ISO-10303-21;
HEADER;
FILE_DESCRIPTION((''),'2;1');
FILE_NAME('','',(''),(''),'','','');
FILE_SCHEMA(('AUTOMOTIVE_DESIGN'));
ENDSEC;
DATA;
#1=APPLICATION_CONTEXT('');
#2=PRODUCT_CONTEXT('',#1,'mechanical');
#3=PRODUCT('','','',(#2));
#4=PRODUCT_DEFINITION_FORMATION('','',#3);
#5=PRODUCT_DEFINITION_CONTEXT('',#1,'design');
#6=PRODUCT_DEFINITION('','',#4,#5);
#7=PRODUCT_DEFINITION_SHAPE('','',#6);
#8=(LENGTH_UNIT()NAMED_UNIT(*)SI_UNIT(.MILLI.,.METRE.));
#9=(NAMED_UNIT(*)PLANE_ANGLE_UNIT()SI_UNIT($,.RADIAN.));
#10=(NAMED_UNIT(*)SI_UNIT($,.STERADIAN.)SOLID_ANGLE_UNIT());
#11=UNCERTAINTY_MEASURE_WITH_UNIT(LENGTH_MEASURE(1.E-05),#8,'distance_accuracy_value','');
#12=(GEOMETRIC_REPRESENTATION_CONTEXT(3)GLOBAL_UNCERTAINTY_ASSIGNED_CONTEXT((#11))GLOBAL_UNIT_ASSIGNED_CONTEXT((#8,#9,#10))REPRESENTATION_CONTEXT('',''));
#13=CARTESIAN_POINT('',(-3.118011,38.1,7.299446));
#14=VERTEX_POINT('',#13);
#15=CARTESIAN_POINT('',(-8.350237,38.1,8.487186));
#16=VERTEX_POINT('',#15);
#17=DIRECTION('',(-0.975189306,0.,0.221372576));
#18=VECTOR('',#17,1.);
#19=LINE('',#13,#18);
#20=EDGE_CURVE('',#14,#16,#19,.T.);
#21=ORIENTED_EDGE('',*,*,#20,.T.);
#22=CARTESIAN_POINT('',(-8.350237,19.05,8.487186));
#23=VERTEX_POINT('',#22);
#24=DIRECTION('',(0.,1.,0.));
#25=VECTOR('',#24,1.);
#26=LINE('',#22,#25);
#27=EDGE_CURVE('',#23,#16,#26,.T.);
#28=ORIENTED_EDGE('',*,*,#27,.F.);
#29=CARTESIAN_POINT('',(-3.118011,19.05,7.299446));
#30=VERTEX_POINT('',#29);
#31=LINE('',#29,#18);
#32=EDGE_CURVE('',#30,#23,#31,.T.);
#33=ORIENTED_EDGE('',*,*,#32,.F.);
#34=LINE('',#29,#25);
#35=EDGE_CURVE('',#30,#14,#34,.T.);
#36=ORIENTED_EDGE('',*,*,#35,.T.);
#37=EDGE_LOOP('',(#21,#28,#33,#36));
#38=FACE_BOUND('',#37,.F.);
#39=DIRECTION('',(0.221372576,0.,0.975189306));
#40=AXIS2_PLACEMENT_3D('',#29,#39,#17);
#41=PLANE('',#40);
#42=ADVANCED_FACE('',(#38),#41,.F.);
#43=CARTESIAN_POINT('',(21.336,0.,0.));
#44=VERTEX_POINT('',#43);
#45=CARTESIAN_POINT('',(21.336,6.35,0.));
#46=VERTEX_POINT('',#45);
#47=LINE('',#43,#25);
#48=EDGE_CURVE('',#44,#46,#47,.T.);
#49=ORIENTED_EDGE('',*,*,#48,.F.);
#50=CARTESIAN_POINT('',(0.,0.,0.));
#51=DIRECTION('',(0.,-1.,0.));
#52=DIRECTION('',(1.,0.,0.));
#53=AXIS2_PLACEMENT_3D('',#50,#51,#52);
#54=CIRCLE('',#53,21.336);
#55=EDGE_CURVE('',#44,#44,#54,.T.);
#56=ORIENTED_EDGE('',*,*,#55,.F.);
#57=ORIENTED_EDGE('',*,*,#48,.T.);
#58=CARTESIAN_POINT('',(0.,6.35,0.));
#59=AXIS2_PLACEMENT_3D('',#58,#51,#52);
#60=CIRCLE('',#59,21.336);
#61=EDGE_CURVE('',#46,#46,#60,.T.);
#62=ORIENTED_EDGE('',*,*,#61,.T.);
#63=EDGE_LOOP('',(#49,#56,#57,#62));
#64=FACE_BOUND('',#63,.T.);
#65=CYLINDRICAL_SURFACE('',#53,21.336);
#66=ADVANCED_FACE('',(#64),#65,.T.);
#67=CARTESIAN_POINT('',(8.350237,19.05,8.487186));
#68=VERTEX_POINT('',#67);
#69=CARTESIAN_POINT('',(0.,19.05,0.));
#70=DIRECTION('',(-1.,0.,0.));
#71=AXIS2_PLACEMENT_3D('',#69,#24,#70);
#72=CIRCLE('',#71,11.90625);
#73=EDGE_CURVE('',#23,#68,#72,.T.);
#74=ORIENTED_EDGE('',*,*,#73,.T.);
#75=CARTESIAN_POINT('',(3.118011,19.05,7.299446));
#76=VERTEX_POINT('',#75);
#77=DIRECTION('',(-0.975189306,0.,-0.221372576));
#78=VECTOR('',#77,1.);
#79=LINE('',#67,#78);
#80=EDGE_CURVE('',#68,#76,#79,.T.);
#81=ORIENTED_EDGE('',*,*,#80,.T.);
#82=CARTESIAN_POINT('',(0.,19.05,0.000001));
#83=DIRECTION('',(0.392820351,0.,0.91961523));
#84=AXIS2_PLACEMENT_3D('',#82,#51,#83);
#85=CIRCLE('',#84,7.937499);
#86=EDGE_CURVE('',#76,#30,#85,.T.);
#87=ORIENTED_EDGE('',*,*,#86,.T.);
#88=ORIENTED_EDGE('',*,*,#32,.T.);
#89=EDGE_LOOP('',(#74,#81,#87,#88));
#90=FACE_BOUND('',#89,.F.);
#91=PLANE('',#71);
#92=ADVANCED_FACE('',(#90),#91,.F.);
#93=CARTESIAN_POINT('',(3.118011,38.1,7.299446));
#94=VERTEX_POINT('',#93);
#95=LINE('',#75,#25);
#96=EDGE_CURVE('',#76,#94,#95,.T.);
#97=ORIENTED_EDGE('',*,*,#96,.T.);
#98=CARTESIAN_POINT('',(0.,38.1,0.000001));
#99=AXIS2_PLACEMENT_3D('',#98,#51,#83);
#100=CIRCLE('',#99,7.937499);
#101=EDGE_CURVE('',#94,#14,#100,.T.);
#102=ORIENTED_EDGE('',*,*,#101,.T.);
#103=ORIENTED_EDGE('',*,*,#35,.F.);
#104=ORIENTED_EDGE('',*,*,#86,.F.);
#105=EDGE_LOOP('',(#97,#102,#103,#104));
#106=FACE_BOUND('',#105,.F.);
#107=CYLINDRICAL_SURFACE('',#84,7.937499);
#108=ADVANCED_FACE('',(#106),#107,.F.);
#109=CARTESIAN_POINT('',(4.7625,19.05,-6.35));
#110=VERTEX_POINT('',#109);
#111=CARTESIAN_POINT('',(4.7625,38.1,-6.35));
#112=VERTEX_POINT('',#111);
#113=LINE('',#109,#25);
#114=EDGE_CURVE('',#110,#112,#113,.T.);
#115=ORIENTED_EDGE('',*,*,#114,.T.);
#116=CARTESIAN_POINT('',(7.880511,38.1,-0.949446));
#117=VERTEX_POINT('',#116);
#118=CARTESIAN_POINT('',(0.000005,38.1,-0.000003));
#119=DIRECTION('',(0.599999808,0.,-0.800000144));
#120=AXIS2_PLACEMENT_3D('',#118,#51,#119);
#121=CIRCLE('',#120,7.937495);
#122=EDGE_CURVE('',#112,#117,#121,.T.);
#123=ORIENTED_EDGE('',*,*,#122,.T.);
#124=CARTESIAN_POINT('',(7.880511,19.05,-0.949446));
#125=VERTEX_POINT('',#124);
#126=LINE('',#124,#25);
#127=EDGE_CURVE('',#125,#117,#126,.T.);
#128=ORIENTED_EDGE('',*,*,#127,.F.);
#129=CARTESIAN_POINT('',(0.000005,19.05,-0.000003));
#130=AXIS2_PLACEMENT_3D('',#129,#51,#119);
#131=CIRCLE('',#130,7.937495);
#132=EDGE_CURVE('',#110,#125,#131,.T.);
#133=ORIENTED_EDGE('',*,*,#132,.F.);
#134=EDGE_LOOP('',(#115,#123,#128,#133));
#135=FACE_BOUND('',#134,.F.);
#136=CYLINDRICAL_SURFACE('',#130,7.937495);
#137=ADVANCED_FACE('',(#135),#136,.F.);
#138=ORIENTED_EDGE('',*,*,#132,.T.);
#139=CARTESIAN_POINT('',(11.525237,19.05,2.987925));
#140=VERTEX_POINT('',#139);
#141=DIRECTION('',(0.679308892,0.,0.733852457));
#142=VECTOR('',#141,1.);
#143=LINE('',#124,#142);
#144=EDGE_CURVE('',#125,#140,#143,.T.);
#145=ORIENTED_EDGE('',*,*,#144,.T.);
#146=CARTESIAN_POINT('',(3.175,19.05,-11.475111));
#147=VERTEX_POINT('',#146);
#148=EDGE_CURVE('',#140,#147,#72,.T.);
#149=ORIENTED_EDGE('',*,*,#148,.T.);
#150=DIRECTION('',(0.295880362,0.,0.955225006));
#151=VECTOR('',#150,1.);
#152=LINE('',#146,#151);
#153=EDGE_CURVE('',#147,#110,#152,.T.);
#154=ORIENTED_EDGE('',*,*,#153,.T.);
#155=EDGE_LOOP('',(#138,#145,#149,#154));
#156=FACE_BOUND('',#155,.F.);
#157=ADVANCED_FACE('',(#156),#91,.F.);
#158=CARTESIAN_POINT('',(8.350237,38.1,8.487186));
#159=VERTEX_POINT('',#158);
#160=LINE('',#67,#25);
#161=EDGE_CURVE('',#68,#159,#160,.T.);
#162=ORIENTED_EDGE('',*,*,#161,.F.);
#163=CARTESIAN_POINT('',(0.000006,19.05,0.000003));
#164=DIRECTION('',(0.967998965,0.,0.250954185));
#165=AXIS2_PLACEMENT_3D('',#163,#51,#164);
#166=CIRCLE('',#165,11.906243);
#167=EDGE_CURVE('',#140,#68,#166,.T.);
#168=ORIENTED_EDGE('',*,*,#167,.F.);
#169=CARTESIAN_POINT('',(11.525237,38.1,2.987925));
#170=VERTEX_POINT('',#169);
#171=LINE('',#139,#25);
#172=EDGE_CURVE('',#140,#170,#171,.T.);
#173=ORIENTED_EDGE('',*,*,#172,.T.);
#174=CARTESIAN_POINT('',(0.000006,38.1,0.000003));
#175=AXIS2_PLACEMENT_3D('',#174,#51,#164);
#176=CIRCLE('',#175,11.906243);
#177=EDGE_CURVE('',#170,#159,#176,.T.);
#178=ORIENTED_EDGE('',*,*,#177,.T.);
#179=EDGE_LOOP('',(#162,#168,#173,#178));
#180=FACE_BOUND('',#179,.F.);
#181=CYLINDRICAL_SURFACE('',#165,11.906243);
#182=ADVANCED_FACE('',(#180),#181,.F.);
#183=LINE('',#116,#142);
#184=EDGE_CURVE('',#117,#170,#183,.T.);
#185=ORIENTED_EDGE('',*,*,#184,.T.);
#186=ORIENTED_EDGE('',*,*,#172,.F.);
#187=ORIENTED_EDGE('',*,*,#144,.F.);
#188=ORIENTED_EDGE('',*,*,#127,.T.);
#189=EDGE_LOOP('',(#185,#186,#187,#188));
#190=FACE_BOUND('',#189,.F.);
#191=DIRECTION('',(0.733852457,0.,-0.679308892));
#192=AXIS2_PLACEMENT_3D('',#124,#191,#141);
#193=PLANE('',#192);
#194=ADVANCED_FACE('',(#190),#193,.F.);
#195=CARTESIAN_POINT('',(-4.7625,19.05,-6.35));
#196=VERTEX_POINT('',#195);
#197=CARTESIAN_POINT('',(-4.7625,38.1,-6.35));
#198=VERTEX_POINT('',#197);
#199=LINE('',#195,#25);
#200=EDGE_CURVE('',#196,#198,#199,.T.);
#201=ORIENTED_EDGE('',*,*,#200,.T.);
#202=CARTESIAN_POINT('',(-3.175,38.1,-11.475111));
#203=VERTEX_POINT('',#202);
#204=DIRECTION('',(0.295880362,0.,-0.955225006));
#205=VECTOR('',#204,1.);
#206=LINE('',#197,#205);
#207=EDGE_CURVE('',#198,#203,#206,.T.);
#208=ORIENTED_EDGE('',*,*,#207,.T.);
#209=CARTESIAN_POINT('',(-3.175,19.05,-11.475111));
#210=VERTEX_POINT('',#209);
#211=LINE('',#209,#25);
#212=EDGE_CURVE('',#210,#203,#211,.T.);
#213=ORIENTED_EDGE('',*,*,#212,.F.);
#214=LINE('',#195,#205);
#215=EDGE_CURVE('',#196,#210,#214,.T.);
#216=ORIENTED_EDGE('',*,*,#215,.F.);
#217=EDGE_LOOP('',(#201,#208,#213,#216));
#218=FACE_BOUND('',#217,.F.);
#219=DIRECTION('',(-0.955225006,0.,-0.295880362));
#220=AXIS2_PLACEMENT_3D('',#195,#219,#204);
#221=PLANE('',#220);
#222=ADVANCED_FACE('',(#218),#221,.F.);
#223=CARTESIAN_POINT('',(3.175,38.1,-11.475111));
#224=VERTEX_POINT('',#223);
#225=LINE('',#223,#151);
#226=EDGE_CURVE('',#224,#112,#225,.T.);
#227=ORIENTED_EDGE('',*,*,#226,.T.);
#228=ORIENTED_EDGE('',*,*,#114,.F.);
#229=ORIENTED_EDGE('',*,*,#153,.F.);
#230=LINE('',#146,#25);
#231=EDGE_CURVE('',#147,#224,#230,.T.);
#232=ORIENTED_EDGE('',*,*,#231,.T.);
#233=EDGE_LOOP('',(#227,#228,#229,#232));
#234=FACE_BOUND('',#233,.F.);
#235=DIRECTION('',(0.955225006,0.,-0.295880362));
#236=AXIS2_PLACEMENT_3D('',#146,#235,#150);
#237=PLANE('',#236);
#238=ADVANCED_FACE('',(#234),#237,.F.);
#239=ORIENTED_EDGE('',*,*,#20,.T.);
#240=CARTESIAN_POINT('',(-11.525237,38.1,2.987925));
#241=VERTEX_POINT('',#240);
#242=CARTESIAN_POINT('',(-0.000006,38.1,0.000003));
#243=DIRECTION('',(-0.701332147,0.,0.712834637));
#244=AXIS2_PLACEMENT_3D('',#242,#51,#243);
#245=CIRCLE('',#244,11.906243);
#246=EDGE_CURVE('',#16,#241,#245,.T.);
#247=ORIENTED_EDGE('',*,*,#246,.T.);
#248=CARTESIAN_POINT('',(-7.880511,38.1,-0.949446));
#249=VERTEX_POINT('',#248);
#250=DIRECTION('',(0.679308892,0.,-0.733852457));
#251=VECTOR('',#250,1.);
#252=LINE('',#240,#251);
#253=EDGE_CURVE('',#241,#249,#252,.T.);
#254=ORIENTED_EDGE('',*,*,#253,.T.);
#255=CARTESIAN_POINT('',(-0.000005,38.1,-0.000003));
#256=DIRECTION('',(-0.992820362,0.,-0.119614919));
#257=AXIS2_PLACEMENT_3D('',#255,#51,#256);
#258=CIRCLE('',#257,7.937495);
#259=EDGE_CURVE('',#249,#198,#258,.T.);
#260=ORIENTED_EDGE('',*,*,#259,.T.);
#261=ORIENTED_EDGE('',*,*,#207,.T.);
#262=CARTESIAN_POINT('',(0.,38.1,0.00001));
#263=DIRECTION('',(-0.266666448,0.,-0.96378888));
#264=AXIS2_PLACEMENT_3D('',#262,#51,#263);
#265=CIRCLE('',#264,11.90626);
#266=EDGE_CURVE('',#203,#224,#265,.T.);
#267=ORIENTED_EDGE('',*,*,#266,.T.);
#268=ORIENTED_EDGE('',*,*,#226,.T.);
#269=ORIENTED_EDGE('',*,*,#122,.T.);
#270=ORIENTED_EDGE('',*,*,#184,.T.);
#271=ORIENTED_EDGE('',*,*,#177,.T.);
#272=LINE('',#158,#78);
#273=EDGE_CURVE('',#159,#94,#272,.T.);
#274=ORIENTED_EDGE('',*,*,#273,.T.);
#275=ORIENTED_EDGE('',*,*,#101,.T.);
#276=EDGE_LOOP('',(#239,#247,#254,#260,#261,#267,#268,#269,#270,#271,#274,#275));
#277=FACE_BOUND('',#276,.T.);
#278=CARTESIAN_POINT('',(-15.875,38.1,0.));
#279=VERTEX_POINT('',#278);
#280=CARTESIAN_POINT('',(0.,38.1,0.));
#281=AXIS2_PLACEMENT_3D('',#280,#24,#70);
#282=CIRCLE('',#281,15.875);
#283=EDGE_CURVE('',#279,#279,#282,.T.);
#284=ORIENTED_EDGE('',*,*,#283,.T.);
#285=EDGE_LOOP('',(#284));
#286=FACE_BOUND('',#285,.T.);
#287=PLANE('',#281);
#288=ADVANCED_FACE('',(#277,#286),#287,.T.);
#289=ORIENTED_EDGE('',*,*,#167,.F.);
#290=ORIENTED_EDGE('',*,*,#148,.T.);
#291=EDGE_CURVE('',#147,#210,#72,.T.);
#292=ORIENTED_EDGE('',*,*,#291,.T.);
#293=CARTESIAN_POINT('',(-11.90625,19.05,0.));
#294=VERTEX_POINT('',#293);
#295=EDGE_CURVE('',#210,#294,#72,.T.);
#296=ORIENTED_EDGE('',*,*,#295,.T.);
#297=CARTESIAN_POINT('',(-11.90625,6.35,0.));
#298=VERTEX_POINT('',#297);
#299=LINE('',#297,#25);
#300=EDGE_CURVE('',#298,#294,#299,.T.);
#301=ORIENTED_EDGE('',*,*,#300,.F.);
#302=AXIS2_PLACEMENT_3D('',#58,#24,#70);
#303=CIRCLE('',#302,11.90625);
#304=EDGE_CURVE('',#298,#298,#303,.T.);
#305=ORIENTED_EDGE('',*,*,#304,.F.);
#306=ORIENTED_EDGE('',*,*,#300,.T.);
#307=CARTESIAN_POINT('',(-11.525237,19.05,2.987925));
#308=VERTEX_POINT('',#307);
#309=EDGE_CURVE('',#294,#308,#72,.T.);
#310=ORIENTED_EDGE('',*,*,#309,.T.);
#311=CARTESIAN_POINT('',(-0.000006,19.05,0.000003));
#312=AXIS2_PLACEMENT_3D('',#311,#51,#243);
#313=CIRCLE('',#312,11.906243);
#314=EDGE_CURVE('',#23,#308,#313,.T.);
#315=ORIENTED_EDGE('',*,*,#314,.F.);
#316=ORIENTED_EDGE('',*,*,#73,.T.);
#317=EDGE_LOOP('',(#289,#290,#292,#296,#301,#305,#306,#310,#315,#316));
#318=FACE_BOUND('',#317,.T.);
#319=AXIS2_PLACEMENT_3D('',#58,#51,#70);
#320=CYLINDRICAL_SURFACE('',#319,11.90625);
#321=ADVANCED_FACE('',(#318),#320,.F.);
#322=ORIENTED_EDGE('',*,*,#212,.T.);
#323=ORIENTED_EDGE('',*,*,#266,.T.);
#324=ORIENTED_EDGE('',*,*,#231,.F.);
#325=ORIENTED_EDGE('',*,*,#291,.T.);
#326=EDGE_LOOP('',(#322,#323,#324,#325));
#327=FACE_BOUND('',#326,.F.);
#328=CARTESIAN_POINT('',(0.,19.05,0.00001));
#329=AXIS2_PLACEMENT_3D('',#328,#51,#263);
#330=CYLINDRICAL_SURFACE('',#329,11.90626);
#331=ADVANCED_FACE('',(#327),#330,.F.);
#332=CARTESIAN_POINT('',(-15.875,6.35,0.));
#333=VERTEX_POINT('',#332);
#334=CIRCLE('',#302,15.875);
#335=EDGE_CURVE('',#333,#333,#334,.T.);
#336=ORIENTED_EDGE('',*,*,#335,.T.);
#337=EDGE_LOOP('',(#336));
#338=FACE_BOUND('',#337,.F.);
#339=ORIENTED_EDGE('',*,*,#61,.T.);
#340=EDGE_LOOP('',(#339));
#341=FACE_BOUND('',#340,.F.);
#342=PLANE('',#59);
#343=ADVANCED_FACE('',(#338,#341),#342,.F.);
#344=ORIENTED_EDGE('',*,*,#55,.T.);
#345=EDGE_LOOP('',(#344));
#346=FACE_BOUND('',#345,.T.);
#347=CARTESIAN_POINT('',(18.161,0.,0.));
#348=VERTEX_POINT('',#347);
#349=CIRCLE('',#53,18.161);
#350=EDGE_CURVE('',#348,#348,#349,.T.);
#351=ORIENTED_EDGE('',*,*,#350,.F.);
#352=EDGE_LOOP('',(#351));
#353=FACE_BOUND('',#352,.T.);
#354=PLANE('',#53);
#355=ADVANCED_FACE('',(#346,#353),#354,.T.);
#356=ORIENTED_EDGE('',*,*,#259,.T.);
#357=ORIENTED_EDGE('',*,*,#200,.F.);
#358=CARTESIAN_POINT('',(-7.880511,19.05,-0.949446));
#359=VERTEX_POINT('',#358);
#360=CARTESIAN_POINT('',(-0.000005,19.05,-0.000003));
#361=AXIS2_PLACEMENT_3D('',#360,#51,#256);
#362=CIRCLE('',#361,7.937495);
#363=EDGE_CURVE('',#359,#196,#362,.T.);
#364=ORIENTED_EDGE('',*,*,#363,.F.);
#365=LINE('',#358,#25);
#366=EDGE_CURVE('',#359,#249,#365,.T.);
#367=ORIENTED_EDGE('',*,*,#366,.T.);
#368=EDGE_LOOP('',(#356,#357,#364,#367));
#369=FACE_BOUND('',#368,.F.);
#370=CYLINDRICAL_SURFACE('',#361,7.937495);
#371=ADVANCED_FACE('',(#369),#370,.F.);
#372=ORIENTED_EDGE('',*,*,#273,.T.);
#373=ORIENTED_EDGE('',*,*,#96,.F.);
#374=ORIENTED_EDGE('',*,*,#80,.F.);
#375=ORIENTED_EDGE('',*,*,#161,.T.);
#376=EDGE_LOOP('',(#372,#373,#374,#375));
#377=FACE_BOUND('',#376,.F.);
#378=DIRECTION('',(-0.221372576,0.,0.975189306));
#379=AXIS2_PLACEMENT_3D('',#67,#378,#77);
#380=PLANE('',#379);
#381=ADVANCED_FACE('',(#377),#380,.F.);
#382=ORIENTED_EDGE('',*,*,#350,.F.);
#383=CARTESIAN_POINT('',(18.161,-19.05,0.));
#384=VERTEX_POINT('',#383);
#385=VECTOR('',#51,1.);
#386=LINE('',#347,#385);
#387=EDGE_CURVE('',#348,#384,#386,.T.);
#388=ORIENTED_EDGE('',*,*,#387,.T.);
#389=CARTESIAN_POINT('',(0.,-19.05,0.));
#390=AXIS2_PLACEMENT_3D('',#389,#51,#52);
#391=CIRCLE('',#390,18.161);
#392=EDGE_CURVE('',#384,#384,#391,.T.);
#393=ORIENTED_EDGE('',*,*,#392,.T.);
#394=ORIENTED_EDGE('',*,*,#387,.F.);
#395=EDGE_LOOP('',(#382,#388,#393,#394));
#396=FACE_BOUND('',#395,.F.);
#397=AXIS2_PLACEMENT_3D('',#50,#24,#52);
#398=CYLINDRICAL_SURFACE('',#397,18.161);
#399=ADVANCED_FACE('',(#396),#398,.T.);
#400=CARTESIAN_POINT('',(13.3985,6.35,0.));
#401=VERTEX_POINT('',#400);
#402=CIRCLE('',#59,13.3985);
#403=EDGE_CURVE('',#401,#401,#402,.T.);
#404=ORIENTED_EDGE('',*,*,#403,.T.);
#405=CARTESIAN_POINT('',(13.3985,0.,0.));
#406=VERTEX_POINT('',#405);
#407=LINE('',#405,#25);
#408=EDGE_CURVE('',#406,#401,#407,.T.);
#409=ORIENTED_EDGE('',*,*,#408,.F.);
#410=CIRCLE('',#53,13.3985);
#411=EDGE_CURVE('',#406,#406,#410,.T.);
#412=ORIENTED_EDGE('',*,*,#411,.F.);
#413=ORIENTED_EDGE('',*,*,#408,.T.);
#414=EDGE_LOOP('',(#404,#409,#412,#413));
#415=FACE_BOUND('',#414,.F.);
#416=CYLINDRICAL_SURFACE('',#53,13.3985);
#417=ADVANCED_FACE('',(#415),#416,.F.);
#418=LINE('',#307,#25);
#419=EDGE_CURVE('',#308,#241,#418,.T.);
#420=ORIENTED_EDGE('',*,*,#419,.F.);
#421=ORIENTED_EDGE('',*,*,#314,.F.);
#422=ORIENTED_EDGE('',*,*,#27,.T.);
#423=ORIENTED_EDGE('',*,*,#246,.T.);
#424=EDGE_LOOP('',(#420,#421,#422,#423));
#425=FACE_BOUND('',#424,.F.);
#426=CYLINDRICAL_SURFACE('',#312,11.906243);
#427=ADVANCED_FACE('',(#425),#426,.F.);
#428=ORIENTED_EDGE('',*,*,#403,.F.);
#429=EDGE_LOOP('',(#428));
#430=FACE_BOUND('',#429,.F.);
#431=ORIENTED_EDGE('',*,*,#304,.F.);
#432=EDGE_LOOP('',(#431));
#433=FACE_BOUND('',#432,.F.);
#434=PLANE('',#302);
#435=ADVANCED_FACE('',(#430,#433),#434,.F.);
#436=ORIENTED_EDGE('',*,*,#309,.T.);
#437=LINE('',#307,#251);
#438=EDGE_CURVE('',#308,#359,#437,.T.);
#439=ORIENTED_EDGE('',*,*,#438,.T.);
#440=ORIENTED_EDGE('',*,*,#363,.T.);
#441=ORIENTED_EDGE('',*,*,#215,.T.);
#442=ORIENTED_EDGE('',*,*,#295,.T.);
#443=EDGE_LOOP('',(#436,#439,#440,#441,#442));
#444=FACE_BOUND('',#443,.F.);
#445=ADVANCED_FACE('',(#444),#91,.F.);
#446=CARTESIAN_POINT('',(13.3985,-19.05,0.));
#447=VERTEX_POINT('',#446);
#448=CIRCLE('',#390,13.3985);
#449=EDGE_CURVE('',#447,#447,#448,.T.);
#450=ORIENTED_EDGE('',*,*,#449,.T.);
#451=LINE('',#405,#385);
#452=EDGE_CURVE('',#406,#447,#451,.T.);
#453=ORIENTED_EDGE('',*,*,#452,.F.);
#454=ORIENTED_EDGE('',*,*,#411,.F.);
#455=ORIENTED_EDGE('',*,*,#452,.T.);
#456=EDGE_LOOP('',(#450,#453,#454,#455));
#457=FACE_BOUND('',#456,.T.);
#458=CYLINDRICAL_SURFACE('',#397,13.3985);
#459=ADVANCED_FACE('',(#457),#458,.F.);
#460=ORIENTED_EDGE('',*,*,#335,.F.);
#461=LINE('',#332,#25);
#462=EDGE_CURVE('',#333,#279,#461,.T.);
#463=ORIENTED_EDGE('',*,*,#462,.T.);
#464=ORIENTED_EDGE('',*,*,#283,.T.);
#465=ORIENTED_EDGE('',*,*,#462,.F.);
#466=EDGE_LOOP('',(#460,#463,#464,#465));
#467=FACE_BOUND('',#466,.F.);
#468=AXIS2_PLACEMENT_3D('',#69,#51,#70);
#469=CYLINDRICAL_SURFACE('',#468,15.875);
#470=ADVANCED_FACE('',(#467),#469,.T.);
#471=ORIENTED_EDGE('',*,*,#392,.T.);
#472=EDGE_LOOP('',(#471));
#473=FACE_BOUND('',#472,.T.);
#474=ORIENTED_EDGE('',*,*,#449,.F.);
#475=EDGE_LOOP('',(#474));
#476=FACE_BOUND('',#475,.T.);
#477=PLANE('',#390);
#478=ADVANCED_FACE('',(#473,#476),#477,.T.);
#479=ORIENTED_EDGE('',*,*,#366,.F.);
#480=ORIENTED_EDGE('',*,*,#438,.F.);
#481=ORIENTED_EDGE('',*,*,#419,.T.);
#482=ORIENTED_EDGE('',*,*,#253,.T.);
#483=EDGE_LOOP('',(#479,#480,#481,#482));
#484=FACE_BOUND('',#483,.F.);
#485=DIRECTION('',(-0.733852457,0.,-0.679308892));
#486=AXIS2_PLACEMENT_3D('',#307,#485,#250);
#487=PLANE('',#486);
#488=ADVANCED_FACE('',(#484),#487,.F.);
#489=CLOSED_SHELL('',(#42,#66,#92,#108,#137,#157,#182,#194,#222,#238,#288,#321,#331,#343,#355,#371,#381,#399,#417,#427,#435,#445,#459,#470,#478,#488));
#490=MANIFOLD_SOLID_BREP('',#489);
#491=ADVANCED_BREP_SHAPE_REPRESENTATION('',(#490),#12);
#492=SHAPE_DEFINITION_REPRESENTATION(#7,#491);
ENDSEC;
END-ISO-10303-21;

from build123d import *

# Parameters (mm, degrees)
F0_R     = 18.161
F0_R_2   = 13.3985
F1_DEPTH = 19.05
F2_R     = 21.336
F2_R_2   = 13.3985
F3_DEPTH = 6.35
F4_R     = 15.875
F4_R_2   = 11.90625
F5_DEPTH = 12.7
F6_R     = 15.875
F7_DEPTH = 19.05


with BuildPart() as f1:
    # F0 (on Front) → F1 (new body)
    with BuildSketch(Plane.XZ):
        Circle(F0_R)
        Circle(F0_R_2, mode=Mode.SUBTRACT)
    extrude(amount=F1_DEPTH)

    # F2 (on Front) → F3 (join)
    with BuildSketch(Plane.XZ):
        Circle(F2_R)
        Circle(F2_R_2, mode=Mode.SUBTRACT)
    extrude(amount=-F3_DEPTH)

    # F4 (on face) → F5 (join)
    with BuildSketch(Plane(origin=(0, 6.35, 0), x_dir=(-1, 0, 0), z_dir=(0, 1, 0))):
        Circle(F4_R)
        Circle(F4_R_2, mode=Mode.SUBTRACT)
    extrude(amount=F5_DEPTH)

    # F6 (on face) → F7 (join)
    with BuildSketch(Plane(origin=(0, 19.05, 0), x_dir=(-1, 0, 0), z_dir=(0, 1, 0))):
        Circle(F6_R)
        with BuildLine():
            ThreePointArc((-4.7625, -6.35), (-6.874077, -3.96875), (-7.880511, -0.949446))
            Line((-7.880511, -0.949446), (-11.525237, 2.987925))
            ThreePointArc((-11.525237, 2.987925), (-10.311115, 5.953125), (-8.350237, 8.487186))
            Line((-8.350237, 8.487186), (-3.118011, 7.299446))
            ThreePointArc((-3.118011, 7.299446), (0, 7.9375), (3.118011, 7.299446))
            Line((3.118011, 7.299446), (8.350237, 8.487186))
            ThreePointArc((8.350237, 8.487186), (10.311115, 5.953125), (11.525237, 2.987925))
            Line((11.525237, 2.987925), (7.880511, -0.949446))
            ThreePointArc((7.880511, -0.949446), (6.874077, -3.96875), (4.7625, -6.35))
            Line((4.7625, -6.35), (3.175, -11.475111))
            ThreePointArc((3.175, -11.475111), (0, -11.90625), (-3.175, -11.475111))
            Line((-3.175, -11.475111), (-4.7625, -6.35))
        make_face(mode=Mode.SUBTRACT)
    extrude(amount=F7_DEPTH)


solid = f1.part
